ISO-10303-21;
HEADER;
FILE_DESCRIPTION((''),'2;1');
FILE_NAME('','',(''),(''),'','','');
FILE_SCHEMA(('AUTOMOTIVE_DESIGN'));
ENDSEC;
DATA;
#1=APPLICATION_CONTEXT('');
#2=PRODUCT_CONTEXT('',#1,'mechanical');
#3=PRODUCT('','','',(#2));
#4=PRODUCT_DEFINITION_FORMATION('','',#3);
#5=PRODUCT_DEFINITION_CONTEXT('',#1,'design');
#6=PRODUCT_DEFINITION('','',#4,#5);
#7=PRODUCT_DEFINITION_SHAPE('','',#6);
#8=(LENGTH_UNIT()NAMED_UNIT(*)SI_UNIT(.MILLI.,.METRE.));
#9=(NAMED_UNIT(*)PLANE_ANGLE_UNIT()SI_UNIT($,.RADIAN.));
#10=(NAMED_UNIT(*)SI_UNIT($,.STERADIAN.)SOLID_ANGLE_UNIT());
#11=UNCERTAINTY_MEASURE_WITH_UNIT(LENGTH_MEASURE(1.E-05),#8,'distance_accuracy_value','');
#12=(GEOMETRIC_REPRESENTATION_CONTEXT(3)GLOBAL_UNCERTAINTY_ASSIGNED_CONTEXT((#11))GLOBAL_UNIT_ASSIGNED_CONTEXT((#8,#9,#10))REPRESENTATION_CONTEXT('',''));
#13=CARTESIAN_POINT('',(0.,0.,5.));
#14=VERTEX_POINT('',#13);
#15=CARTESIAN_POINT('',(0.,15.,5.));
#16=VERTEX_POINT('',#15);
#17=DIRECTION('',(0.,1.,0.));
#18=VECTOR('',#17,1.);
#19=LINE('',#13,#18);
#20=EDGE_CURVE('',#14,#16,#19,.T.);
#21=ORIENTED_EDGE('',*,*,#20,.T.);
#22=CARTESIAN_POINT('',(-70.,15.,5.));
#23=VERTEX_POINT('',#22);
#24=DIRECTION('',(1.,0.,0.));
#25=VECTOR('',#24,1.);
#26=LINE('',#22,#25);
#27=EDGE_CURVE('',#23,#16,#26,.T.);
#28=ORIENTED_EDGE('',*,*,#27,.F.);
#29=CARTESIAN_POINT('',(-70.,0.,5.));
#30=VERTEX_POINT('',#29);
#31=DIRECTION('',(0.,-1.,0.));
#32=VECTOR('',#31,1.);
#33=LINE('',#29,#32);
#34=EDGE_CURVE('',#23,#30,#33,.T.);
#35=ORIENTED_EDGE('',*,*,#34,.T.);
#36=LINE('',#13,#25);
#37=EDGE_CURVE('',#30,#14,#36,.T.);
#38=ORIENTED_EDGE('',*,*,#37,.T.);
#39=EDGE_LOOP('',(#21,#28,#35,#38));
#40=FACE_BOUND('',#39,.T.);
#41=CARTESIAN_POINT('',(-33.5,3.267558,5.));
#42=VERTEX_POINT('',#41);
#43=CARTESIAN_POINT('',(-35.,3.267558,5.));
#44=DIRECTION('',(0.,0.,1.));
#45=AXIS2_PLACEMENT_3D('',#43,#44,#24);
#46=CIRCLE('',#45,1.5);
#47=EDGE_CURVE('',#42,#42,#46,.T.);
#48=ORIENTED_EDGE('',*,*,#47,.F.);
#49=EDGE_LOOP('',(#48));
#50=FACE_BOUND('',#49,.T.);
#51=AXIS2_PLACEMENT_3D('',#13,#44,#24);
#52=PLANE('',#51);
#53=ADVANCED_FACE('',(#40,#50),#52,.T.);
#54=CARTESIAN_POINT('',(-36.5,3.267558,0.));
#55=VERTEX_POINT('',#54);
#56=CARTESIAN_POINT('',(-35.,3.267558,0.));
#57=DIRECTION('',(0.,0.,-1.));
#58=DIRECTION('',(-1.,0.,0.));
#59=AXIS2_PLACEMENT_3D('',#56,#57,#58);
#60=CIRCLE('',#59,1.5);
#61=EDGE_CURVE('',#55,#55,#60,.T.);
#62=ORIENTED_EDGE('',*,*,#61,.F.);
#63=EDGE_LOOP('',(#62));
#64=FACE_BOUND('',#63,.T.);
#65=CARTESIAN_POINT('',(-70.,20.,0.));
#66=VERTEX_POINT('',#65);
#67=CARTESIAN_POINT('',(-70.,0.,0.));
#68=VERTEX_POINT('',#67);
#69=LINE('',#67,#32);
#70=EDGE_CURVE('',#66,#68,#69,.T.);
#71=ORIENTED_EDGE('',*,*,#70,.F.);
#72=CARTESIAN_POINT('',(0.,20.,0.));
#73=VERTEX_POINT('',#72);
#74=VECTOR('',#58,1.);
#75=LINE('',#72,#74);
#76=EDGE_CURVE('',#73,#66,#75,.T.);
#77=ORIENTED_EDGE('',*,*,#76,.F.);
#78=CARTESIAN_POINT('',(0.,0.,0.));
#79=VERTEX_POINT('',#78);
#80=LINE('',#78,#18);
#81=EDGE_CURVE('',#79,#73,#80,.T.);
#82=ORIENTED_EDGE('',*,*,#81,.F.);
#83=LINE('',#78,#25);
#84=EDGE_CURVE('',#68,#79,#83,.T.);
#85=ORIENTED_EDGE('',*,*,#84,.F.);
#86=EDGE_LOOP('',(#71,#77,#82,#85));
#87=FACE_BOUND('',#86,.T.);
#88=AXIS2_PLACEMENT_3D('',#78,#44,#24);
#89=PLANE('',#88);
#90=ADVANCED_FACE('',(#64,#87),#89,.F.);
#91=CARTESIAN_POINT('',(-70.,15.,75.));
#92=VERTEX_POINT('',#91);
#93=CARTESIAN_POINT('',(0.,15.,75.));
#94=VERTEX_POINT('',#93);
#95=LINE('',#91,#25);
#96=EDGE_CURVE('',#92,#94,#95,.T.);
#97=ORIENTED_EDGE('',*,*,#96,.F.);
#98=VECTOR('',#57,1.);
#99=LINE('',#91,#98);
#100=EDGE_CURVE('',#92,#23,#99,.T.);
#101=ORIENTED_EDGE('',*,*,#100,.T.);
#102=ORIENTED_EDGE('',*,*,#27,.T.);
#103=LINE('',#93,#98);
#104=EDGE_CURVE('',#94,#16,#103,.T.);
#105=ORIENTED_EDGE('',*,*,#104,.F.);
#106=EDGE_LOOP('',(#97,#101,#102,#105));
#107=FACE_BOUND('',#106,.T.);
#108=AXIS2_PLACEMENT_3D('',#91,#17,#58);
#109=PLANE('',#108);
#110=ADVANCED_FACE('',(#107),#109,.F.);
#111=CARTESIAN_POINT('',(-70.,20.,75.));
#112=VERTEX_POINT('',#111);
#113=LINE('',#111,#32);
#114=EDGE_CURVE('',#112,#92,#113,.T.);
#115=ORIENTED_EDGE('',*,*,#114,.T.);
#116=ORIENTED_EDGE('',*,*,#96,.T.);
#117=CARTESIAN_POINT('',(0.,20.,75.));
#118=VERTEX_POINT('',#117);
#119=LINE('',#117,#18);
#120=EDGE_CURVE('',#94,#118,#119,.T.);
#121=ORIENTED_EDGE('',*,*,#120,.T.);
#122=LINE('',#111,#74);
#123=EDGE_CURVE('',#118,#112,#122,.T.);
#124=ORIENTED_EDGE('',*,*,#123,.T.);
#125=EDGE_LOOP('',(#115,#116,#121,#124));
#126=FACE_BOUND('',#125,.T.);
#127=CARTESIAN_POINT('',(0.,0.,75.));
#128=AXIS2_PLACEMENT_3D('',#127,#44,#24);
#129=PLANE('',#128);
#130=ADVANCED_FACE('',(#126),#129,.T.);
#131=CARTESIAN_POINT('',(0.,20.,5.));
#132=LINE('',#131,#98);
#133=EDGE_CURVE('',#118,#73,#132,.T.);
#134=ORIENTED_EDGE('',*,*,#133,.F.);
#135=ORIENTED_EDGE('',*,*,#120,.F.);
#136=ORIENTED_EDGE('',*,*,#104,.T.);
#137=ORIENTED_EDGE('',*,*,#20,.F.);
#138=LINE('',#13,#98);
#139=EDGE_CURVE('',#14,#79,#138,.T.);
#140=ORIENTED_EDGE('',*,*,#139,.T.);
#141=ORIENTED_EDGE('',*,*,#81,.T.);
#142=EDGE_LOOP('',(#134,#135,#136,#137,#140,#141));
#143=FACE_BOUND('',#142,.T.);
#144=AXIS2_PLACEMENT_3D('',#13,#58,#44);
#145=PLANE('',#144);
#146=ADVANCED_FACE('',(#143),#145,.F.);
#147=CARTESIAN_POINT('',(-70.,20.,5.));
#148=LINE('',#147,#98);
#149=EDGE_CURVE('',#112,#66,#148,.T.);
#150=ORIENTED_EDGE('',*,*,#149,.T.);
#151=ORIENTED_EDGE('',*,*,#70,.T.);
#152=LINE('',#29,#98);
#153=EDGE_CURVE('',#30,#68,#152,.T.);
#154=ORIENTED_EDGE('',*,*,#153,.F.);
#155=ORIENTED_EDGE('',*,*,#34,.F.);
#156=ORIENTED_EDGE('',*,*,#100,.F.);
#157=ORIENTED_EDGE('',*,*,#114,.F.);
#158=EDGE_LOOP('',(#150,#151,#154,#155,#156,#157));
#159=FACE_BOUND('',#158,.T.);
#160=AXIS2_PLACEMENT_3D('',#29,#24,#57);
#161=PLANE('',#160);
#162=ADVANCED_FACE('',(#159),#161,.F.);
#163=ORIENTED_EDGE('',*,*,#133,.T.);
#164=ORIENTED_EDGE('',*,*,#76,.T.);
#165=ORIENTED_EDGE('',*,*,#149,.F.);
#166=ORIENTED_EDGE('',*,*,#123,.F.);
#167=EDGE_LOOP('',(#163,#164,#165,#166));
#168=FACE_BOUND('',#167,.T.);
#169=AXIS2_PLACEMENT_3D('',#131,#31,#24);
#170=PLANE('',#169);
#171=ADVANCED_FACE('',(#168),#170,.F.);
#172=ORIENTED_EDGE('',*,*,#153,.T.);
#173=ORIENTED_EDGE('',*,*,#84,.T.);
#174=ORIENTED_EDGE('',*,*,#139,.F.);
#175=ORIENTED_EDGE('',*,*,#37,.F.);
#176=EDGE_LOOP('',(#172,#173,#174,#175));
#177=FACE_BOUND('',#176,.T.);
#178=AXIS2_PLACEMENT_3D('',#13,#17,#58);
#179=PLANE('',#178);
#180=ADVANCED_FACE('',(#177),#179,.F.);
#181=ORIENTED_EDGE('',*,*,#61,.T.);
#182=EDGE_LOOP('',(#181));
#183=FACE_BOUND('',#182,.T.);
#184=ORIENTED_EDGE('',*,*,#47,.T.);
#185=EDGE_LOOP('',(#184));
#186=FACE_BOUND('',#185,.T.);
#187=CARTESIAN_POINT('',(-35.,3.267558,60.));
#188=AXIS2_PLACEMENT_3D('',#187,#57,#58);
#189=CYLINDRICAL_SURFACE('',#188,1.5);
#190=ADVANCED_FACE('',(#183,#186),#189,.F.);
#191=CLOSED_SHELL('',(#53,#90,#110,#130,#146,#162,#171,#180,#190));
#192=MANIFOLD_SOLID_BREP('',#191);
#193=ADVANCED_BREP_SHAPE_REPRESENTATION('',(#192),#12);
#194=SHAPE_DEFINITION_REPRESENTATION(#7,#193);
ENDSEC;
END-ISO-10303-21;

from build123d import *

# Parameters (mm, degrees)
ESQUISSE1_W             = 70
ESQUISSE1_H             = 20
BOSS_EXTRU_1_DEPTH      = 5
ESQUISSE2_W             = 70
ESQUISSE2_H             = 5
BOSS_EXTRU_2_DEPTH      = 70
ESQUISSE3_R             = 1.5
ENL_V_MAT_EXTRU_1_DEPTH = 60


with BuildPart() as part:
    # Esquisse1 → Boss.-Extru.1 (new body)
    with BuildSketch(Plane.XY):
        with Locations((-35, 10)):
            Rectangle(ESQUISSE1_W, ESQUISSE1_H)
    extrude(amount=BOSS_EXTRU_1_DEPTH)

    # Esquisse2 → Boss.-Extru.2 (add)
    with BuildSketch(Plane.XY.offset(5)):
        with Locations((-35, 17.5)):
            Rectangle(ESQUISSE2_W, ESQUISSE2_H)
    extrude(amount=BOSS_EXTRU_2_DEPTH)

    # Esquisse3 → Enlèv. mat.-Extru.1 (cut)
    with BuildSketch(Plane(origin=(0, 0, 0), x_dir=(-1, 0, 0), z_dir=(0, 0, -1))):
        with Locations((35, 3.26755804)):
            Circle(ESQUISSE3_R)
    extrude(amount=-ENL_V_MAT_EXTRU_1_DEPTH, mode=Mode.SUBTRACT)


solid = part.part
